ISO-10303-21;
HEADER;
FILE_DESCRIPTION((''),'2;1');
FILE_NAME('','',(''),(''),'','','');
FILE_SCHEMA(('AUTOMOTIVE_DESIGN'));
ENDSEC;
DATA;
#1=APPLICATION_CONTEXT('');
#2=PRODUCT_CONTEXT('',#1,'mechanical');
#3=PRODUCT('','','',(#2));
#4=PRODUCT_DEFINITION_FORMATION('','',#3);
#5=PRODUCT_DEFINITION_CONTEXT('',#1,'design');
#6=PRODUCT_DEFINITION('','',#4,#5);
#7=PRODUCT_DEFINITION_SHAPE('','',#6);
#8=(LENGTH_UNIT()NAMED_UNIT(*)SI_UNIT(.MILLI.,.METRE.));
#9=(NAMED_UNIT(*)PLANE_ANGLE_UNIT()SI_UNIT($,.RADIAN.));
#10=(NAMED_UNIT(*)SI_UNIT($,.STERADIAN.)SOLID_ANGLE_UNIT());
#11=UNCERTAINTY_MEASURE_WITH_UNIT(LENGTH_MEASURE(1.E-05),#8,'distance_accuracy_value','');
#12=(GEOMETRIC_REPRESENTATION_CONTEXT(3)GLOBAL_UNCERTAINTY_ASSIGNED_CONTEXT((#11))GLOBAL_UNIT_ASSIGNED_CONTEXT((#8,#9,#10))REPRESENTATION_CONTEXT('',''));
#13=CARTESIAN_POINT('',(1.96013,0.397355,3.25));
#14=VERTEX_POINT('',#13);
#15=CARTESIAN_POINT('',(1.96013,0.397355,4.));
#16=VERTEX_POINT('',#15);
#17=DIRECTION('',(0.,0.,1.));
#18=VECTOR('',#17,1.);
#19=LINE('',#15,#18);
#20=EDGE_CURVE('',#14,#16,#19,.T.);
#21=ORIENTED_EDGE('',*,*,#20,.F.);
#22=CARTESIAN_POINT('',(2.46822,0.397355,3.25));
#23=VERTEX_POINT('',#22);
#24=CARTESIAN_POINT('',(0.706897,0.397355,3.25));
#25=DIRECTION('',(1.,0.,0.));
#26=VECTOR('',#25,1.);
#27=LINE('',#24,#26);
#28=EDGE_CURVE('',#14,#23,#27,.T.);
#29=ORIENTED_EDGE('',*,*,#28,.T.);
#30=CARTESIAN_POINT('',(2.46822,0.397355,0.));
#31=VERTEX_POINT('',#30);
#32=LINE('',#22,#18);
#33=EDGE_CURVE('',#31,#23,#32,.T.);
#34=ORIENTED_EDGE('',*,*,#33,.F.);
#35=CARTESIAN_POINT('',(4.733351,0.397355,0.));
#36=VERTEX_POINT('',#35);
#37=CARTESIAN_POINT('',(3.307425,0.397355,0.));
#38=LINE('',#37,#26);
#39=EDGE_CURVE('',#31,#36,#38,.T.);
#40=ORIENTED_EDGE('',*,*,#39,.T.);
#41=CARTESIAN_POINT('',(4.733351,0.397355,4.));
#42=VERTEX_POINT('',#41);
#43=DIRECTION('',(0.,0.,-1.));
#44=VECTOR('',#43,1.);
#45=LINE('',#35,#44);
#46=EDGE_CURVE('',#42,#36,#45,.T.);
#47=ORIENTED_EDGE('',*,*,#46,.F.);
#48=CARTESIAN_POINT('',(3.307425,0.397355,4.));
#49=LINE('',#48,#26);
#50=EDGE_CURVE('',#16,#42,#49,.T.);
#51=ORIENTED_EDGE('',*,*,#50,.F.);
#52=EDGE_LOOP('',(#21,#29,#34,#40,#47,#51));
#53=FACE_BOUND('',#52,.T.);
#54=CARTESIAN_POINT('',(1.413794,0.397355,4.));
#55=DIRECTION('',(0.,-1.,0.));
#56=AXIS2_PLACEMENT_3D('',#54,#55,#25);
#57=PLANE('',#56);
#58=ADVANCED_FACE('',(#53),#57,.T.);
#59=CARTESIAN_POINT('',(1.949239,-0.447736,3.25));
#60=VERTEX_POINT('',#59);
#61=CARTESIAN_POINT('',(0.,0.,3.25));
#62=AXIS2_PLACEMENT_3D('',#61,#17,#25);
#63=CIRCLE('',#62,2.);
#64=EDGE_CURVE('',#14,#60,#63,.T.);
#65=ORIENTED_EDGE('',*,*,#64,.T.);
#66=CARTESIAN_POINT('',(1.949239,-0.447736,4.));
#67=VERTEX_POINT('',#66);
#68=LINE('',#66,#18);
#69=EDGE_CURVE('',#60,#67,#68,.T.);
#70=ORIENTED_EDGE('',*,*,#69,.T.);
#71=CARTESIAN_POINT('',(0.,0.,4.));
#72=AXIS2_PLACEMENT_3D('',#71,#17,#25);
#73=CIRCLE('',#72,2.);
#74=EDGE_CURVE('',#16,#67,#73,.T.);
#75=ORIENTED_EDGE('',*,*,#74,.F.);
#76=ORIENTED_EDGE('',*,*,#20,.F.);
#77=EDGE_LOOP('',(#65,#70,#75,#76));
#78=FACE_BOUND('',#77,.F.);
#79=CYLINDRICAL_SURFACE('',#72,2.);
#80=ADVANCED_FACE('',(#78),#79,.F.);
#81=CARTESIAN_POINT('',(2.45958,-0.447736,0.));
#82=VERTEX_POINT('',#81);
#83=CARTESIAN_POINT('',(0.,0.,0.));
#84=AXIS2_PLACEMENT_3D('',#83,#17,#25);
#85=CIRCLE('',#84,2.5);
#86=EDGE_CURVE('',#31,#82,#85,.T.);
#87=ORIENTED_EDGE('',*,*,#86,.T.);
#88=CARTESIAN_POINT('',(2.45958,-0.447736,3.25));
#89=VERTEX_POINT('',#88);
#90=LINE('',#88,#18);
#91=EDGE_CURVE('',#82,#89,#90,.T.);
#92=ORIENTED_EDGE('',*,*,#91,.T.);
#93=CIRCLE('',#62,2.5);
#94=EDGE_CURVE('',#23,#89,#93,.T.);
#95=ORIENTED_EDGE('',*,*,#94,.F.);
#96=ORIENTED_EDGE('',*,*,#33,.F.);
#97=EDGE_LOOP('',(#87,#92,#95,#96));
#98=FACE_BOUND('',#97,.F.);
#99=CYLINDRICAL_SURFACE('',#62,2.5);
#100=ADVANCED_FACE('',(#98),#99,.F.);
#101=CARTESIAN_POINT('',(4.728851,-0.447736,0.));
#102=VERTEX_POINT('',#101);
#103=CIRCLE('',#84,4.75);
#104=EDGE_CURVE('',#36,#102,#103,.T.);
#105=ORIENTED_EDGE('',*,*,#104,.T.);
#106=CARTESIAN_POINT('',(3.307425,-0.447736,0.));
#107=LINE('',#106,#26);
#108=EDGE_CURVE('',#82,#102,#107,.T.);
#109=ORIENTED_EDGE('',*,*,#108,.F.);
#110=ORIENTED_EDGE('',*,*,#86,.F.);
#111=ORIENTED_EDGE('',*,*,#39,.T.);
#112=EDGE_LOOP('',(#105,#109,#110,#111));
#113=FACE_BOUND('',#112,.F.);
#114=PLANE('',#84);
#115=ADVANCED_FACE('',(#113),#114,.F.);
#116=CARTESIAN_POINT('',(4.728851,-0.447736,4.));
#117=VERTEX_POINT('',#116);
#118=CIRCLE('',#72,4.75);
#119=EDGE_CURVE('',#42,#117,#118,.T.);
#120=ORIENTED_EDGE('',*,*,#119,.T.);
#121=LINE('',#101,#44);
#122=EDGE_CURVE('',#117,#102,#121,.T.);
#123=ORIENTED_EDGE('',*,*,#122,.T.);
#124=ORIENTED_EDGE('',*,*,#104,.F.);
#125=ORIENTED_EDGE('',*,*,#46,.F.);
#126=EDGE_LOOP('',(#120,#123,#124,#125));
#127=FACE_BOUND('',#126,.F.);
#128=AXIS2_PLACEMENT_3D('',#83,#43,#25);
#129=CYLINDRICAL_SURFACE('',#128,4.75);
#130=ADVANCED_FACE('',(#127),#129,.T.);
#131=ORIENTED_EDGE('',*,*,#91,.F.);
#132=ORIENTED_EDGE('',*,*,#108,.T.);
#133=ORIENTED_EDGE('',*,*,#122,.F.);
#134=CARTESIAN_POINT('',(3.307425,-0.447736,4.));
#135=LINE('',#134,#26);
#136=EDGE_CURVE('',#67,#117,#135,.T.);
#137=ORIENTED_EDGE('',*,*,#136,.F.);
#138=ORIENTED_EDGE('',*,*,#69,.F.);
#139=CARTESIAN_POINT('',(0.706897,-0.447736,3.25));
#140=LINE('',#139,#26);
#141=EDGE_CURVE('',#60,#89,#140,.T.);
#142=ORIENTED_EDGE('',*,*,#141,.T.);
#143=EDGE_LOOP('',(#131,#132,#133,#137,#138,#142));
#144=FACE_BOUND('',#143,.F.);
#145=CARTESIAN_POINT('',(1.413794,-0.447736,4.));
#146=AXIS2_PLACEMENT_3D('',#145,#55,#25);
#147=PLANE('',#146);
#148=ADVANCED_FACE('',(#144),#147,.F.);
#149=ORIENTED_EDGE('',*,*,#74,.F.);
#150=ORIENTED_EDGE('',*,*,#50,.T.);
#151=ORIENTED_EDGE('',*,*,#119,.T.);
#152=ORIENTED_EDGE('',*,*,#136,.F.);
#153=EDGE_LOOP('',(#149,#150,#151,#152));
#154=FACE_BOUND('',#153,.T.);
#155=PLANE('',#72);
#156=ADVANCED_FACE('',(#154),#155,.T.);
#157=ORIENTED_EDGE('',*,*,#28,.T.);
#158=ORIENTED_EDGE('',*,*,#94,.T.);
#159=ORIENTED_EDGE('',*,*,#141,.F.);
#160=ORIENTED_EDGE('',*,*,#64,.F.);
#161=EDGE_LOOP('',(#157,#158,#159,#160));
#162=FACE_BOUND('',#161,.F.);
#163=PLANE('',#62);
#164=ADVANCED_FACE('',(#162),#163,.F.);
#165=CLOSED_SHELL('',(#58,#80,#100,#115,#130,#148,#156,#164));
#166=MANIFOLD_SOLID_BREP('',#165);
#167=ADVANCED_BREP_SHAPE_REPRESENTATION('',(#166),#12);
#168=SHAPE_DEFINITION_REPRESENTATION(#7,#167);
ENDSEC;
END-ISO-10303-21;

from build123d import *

# Parameters (mm, degrees)
F0_R     = 4.75
F1_DEPTH = 4
F2_R     = 2
F3_DEPTH = 4
F5_START = -0.75
F4_R     = 2.5
F5_DEPTH = 3.25
F6_W     = 3.7872615503
F6_H     = 0.8450912428
F7_DEPTH = 4


with BuildPart() as f1:
    # F0 (on Top) → F1 (new body)
    with BuildSketch(Plane.XY):
        Circle(F0_R)
    extrude(amount=F1_DEPTH)

    # F2 (on face) → F3 (cut)
    with BuildSketch(Plane.XY.offset(4)):
        Circle(F2_R)
    extrude(amount=-F3_DEPTH, mode=Mode.SUBTRACT)

    # F4 (on face) → F5 (cut)
    with BuildSketch(Plane.XY.offset(4).offset(F5_START)):
        Circle(F4_R)
    extrude(amount=-F5_DEPTH, mode=Mode.SUBTRACT)

    # F6 (on face) → F7 (cut)
    with BuildSketch(Plane.XY.offset(4)):
        with Locations((3.3074248931, -0.0251903548)):
            Rectangle(F6_W, F6_H)
    extrude(amount=-F7_DEPTH, mode=Mode.SUBTRACT)


solid = f1.part
